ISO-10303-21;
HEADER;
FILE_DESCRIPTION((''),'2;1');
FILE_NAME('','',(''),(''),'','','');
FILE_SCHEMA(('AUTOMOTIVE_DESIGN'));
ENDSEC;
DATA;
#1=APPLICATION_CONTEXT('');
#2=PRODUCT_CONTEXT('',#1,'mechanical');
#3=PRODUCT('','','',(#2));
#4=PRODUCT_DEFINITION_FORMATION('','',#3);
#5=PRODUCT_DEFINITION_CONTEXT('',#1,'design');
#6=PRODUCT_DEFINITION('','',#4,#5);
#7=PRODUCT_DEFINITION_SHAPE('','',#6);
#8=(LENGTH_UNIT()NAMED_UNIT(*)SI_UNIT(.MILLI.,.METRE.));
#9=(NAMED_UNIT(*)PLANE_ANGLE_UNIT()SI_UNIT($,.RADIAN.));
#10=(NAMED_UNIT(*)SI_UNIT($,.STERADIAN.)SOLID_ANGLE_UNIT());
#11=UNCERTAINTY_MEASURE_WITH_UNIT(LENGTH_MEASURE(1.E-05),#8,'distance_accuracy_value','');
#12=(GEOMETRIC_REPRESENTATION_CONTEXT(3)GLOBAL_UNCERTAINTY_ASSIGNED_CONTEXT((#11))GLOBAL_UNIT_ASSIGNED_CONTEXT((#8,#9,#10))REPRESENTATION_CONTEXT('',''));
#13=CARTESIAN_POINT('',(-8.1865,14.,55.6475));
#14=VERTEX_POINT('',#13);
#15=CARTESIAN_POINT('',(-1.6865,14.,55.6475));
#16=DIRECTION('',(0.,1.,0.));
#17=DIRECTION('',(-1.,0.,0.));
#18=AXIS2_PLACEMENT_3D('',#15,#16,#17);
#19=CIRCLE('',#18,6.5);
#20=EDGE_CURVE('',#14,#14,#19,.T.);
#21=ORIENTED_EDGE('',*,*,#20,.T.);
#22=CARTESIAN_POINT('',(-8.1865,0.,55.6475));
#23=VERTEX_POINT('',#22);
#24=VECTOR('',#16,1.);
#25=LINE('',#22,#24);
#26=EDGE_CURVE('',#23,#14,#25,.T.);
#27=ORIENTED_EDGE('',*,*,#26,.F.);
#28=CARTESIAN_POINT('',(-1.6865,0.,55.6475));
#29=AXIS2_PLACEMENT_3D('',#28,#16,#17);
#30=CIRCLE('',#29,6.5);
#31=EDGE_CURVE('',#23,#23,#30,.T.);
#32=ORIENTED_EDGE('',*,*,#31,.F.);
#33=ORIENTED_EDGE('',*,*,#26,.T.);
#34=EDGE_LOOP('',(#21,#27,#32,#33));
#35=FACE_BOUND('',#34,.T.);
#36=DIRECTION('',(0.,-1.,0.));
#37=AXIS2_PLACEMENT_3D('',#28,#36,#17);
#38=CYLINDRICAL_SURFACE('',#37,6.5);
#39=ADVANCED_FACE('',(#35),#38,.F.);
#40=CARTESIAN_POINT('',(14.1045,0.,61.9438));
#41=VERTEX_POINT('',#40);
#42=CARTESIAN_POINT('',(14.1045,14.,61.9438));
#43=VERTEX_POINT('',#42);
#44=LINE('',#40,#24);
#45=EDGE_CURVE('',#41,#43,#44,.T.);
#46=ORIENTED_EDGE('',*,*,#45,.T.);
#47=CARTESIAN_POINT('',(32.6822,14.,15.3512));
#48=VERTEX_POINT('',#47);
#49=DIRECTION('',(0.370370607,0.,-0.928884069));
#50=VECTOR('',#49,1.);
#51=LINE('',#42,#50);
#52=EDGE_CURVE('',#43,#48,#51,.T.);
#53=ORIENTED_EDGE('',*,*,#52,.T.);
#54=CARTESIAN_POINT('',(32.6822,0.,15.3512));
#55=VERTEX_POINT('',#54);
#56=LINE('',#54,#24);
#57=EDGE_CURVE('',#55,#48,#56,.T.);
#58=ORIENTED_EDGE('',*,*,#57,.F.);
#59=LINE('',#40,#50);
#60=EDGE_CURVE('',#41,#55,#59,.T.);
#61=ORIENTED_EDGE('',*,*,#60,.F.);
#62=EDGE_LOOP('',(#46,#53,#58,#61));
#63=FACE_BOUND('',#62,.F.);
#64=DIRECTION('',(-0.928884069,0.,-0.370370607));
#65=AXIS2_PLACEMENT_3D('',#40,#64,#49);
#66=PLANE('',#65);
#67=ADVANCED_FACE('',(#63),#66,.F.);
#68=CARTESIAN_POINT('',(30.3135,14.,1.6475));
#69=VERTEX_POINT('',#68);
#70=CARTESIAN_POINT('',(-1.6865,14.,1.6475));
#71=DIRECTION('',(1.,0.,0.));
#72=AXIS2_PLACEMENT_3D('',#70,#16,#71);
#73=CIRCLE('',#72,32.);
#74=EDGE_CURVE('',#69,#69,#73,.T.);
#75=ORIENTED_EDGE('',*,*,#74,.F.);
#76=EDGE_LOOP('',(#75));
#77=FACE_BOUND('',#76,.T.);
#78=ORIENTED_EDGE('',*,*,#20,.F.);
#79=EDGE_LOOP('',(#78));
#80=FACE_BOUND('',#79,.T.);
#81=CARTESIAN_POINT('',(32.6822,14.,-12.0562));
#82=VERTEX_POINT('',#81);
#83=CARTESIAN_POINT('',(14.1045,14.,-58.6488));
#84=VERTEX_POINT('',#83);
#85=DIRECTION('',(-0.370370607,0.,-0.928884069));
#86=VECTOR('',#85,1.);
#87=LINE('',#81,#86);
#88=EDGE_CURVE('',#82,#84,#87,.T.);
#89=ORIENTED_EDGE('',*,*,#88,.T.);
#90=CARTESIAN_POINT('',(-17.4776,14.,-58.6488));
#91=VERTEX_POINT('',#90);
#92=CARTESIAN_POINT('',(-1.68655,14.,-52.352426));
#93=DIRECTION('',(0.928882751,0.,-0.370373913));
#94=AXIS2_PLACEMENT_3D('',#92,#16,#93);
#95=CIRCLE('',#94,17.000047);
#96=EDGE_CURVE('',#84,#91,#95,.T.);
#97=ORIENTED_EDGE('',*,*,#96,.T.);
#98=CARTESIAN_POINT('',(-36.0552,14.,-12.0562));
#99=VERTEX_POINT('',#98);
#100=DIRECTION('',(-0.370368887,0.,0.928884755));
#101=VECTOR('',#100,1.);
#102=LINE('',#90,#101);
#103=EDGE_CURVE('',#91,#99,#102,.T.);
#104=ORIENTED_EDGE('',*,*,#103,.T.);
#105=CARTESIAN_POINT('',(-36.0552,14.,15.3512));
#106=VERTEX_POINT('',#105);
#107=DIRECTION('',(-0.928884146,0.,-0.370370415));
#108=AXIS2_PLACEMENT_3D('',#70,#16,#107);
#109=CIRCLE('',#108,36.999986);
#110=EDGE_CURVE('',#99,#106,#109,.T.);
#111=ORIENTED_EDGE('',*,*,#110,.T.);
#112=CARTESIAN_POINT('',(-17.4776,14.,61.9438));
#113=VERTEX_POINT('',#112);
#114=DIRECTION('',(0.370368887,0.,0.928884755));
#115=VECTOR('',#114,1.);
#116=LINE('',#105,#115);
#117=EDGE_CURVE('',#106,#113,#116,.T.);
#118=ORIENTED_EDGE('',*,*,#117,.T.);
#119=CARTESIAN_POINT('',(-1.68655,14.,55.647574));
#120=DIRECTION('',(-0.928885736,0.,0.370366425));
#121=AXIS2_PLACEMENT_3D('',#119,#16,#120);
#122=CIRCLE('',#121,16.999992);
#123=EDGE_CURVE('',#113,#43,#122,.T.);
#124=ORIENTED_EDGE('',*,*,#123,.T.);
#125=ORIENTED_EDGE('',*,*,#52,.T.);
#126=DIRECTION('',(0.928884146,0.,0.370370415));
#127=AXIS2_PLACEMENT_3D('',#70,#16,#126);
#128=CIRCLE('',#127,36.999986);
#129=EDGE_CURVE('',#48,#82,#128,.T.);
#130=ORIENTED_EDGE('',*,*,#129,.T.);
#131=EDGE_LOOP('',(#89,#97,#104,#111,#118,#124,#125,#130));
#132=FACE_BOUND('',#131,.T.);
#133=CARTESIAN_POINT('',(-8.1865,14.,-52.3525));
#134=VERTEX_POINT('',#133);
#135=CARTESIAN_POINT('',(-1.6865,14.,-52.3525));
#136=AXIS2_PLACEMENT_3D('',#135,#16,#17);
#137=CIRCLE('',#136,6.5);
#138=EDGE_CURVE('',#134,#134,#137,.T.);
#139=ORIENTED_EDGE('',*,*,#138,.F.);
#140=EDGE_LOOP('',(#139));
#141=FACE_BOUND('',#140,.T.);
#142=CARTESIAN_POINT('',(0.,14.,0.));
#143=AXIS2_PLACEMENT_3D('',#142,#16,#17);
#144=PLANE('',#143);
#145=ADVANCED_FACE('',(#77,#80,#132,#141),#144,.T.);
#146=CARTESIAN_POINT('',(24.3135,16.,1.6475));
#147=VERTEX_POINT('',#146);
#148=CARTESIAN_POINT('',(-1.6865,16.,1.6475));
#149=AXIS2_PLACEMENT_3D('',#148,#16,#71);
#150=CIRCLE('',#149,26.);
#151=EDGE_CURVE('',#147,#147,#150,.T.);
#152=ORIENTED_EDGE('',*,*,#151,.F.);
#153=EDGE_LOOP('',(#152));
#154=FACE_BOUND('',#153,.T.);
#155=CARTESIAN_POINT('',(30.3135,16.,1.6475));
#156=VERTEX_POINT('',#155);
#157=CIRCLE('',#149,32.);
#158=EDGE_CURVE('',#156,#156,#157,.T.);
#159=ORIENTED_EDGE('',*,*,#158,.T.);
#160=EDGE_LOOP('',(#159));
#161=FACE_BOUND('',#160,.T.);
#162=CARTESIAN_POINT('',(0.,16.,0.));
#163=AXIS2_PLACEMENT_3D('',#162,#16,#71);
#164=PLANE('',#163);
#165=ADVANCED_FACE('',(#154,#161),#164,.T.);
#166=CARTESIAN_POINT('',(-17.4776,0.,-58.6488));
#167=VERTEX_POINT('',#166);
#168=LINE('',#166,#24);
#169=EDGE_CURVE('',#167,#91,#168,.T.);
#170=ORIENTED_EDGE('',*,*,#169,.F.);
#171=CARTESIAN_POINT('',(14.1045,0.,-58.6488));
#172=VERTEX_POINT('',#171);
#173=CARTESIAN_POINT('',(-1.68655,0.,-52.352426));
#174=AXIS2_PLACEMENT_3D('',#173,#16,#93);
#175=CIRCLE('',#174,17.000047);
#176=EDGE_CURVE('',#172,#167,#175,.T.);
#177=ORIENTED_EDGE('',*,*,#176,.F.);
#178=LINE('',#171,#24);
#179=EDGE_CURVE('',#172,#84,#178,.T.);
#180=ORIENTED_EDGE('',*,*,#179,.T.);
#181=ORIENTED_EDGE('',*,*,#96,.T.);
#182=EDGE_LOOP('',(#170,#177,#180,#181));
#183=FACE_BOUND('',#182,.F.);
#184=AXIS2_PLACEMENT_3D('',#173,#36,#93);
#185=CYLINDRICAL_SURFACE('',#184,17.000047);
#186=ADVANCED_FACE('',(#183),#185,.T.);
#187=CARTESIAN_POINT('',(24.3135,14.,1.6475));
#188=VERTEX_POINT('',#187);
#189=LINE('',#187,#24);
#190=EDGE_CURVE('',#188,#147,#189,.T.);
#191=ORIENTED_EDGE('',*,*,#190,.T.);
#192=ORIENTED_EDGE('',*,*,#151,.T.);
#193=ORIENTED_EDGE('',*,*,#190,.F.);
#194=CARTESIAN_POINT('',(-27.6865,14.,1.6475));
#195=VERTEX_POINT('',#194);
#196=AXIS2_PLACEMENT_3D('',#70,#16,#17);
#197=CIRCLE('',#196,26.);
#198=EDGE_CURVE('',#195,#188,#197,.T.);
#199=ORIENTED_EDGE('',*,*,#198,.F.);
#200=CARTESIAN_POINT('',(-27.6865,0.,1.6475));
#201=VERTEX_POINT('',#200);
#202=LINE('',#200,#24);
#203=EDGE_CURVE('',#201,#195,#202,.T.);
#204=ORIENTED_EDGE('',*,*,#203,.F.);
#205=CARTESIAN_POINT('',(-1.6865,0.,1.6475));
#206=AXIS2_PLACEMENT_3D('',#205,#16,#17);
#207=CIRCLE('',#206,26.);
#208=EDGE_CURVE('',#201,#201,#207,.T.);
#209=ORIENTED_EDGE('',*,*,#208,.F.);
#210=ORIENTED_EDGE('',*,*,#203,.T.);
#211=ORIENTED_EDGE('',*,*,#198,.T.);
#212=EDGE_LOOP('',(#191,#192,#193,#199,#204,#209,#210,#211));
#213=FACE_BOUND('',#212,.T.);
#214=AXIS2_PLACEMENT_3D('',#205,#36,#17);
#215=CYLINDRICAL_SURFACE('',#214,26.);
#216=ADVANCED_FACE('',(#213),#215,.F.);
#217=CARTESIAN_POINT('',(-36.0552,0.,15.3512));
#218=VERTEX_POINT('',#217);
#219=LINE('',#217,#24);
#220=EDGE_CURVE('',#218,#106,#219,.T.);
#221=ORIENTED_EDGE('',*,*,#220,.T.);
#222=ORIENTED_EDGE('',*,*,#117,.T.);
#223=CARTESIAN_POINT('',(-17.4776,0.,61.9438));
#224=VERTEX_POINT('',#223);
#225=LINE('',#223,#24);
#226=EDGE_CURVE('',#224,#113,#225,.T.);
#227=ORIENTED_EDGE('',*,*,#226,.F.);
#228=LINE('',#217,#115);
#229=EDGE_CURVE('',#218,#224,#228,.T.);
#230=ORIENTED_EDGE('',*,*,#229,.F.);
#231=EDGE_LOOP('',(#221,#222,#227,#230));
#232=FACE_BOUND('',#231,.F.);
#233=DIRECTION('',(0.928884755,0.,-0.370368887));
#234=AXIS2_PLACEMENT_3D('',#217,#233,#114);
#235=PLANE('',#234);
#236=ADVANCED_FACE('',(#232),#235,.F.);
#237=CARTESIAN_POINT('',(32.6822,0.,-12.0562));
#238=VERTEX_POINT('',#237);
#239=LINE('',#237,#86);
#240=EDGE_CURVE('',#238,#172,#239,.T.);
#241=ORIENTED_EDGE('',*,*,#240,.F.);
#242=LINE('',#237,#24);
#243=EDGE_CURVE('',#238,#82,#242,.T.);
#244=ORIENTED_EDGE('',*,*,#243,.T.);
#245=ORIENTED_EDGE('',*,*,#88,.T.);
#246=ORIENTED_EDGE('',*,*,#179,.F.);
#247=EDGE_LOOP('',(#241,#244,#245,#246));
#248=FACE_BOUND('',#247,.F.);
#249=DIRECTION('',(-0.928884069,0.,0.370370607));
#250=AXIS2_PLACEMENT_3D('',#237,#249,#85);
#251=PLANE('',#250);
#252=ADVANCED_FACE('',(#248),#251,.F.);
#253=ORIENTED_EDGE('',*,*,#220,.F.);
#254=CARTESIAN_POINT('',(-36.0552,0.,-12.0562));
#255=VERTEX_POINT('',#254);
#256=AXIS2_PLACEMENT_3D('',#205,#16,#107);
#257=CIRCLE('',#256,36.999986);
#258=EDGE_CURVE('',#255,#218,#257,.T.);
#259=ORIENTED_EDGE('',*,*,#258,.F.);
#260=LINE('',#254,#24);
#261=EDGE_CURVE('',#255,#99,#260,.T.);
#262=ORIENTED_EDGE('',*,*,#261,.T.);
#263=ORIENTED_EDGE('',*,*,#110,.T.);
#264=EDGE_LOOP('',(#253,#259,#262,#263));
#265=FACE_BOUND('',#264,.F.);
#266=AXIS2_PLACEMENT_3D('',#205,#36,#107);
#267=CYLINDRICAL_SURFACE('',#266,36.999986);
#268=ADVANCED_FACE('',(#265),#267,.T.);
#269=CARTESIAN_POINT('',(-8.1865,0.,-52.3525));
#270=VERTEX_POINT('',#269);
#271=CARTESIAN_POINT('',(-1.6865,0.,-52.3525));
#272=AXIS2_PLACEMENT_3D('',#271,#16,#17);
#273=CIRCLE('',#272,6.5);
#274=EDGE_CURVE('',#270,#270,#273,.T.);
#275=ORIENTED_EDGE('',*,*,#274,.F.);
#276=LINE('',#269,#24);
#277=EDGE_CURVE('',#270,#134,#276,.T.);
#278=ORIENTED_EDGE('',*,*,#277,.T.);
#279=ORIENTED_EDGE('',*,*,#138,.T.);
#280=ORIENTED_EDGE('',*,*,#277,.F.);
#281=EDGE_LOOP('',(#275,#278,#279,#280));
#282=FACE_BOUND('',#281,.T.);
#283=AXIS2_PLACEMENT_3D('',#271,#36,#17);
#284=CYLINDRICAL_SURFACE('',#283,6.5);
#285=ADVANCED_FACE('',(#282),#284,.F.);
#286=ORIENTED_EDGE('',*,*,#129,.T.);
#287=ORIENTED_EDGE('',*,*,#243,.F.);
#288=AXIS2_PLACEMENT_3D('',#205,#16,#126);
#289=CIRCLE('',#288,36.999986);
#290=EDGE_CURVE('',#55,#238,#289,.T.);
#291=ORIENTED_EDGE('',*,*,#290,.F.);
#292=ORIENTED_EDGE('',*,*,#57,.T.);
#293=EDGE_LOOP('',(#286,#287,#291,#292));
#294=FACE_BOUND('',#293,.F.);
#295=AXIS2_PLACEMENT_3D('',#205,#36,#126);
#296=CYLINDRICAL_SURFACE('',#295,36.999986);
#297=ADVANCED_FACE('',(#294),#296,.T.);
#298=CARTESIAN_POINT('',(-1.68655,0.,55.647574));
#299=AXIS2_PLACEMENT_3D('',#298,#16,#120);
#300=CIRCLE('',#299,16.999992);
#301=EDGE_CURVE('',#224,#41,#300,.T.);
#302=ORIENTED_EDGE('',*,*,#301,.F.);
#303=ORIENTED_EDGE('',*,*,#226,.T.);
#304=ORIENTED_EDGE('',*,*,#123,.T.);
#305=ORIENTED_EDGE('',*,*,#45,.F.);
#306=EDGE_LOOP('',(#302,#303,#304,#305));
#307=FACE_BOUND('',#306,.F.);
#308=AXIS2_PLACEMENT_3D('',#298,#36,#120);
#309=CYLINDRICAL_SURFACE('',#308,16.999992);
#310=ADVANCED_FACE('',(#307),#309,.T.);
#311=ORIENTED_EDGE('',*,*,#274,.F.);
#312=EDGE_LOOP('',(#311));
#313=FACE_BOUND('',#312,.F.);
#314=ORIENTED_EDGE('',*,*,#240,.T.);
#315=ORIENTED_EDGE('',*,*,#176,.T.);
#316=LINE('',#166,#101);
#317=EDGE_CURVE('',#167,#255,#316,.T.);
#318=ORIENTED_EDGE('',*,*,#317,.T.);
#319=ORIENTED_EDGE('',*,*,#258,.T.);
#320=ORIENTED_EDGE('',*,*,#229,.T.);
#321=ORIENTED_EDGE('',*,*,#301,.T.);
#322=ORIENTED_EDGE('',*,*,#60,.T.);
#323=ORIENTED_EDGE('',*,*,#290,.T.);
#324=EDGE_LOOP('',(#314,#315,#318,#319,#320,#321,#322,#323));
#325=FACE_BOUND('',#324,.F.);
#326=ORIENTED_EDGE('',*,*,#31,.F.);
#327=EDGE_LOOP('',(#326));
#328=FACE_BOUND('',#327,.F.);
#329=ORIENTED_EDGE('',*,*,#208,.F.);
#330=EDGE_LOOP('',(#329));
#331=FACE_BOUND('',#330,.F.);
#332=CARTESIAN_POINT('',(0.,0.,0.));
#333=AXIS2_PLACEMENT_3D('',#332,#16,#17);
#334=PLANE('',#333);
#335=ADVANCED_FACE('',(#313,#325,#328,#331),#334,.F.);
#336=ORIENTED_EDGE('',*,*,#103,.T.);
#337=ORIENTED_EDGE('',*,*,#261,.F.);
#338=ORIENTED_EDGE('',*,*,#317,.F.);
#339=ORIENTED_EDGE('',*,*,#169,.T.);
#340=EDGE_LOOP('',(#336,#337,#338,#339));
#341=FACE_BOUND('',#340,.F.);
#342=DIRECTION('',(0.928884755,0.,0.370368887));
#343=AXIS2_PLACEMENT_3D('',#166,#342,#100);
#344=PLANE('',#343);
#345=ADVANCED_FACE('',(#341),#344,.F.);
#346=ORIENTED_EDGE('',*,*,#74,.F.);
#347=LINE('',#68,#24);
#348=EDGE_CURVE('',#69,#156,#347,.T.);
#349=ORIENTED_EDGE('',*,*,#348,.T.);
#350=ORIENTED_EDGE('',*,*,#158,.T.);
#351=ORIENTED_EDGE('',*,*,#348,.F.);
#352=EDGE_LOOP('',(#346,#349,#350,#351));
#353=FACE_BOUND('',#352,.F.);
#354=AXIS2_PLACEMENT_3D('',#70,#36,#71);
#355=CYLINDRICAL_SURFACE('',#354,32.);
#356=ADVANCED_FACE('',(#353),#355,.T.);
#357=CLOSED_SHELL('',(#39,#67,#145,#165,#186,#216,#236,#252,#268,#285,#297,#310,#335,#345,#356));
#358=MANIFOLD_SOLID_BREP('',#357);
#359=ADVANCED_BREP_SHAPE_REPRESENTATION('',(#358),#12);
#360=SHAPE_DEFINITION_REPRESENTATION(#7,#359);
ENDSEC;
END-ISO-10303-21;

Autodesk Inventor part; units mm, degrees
ref_plane "YZ Plane" through (0, 0, 0) normal (1, 0, 0) x (0, 1, 0)
ref_plane "XZ Plane" through (0, 0, 0) normal (0, 1, 0) x (-1, 0, 0)
ref_plane "XY Plane" through (0, 0, 0) normal (0, 0, 1) x (1, 0, 0)
sketch "Sketch1" plane through (0, 0, 0) normal (0, 1, 0) x (-1, 0, 0)
  arc A0 (17.4776, 61.9438) -> (-14.1045, 61.9438) centre (1.6865, 55.6475) ccw
  arc A1 (-14.1045, -58.6488) -> (17.4776, -58.6488) centre (1.6865, -52.3525) ccw
  line L0 (36.0552, 15.3512) -> (17.4776, 61.9438)
  line L1 (-14.1045, 61.9438) -> (-32.6822, 15.3512)
  line L2 (-32.6822, -12.0562) -> (-14.1045, -58.6488)
  line L3 (17.4776, -58.6488) -> (36.0552, -12.0562)
  arc A2 (-32.6822, 15.3512) -> (-32.6822, -12.0562) centre (1.6865, 1.6475) ccw
  arc A3 (36.0552, -12.0562) -> (36.0552, 15.3512) centre (1.6865, 1.6475) ccw
  circle A4 centre (1.6865, 55.6475) radius 6.5
  circle A5 centre (1.6865, -52.3525) radius 6.5
  circle A6 centre (1.6865, 1.6475) radius 26
  dimension "d11" = 13
  dimension "d12" = 13
  dimension "d13" = 52
extrude "Extrusion1" add sketch "Sketch1" along normal blind 14
sketch "Sketch2" plane through (0, 14, 0) normal (0, 1, 0) x (1, 0, 0)
  circle A0 centre (-1.6865, -1.6475) radius 26 projected
  circle A1 centre (-1.6865, -1.6475) radius 32
  point P0 (0, 0)
  dimension "d16" = 64
extrude "Extrusion2" add sketch "Sketch2" along normal blind 2
properties part number "00.32.011 \"Flange\""
